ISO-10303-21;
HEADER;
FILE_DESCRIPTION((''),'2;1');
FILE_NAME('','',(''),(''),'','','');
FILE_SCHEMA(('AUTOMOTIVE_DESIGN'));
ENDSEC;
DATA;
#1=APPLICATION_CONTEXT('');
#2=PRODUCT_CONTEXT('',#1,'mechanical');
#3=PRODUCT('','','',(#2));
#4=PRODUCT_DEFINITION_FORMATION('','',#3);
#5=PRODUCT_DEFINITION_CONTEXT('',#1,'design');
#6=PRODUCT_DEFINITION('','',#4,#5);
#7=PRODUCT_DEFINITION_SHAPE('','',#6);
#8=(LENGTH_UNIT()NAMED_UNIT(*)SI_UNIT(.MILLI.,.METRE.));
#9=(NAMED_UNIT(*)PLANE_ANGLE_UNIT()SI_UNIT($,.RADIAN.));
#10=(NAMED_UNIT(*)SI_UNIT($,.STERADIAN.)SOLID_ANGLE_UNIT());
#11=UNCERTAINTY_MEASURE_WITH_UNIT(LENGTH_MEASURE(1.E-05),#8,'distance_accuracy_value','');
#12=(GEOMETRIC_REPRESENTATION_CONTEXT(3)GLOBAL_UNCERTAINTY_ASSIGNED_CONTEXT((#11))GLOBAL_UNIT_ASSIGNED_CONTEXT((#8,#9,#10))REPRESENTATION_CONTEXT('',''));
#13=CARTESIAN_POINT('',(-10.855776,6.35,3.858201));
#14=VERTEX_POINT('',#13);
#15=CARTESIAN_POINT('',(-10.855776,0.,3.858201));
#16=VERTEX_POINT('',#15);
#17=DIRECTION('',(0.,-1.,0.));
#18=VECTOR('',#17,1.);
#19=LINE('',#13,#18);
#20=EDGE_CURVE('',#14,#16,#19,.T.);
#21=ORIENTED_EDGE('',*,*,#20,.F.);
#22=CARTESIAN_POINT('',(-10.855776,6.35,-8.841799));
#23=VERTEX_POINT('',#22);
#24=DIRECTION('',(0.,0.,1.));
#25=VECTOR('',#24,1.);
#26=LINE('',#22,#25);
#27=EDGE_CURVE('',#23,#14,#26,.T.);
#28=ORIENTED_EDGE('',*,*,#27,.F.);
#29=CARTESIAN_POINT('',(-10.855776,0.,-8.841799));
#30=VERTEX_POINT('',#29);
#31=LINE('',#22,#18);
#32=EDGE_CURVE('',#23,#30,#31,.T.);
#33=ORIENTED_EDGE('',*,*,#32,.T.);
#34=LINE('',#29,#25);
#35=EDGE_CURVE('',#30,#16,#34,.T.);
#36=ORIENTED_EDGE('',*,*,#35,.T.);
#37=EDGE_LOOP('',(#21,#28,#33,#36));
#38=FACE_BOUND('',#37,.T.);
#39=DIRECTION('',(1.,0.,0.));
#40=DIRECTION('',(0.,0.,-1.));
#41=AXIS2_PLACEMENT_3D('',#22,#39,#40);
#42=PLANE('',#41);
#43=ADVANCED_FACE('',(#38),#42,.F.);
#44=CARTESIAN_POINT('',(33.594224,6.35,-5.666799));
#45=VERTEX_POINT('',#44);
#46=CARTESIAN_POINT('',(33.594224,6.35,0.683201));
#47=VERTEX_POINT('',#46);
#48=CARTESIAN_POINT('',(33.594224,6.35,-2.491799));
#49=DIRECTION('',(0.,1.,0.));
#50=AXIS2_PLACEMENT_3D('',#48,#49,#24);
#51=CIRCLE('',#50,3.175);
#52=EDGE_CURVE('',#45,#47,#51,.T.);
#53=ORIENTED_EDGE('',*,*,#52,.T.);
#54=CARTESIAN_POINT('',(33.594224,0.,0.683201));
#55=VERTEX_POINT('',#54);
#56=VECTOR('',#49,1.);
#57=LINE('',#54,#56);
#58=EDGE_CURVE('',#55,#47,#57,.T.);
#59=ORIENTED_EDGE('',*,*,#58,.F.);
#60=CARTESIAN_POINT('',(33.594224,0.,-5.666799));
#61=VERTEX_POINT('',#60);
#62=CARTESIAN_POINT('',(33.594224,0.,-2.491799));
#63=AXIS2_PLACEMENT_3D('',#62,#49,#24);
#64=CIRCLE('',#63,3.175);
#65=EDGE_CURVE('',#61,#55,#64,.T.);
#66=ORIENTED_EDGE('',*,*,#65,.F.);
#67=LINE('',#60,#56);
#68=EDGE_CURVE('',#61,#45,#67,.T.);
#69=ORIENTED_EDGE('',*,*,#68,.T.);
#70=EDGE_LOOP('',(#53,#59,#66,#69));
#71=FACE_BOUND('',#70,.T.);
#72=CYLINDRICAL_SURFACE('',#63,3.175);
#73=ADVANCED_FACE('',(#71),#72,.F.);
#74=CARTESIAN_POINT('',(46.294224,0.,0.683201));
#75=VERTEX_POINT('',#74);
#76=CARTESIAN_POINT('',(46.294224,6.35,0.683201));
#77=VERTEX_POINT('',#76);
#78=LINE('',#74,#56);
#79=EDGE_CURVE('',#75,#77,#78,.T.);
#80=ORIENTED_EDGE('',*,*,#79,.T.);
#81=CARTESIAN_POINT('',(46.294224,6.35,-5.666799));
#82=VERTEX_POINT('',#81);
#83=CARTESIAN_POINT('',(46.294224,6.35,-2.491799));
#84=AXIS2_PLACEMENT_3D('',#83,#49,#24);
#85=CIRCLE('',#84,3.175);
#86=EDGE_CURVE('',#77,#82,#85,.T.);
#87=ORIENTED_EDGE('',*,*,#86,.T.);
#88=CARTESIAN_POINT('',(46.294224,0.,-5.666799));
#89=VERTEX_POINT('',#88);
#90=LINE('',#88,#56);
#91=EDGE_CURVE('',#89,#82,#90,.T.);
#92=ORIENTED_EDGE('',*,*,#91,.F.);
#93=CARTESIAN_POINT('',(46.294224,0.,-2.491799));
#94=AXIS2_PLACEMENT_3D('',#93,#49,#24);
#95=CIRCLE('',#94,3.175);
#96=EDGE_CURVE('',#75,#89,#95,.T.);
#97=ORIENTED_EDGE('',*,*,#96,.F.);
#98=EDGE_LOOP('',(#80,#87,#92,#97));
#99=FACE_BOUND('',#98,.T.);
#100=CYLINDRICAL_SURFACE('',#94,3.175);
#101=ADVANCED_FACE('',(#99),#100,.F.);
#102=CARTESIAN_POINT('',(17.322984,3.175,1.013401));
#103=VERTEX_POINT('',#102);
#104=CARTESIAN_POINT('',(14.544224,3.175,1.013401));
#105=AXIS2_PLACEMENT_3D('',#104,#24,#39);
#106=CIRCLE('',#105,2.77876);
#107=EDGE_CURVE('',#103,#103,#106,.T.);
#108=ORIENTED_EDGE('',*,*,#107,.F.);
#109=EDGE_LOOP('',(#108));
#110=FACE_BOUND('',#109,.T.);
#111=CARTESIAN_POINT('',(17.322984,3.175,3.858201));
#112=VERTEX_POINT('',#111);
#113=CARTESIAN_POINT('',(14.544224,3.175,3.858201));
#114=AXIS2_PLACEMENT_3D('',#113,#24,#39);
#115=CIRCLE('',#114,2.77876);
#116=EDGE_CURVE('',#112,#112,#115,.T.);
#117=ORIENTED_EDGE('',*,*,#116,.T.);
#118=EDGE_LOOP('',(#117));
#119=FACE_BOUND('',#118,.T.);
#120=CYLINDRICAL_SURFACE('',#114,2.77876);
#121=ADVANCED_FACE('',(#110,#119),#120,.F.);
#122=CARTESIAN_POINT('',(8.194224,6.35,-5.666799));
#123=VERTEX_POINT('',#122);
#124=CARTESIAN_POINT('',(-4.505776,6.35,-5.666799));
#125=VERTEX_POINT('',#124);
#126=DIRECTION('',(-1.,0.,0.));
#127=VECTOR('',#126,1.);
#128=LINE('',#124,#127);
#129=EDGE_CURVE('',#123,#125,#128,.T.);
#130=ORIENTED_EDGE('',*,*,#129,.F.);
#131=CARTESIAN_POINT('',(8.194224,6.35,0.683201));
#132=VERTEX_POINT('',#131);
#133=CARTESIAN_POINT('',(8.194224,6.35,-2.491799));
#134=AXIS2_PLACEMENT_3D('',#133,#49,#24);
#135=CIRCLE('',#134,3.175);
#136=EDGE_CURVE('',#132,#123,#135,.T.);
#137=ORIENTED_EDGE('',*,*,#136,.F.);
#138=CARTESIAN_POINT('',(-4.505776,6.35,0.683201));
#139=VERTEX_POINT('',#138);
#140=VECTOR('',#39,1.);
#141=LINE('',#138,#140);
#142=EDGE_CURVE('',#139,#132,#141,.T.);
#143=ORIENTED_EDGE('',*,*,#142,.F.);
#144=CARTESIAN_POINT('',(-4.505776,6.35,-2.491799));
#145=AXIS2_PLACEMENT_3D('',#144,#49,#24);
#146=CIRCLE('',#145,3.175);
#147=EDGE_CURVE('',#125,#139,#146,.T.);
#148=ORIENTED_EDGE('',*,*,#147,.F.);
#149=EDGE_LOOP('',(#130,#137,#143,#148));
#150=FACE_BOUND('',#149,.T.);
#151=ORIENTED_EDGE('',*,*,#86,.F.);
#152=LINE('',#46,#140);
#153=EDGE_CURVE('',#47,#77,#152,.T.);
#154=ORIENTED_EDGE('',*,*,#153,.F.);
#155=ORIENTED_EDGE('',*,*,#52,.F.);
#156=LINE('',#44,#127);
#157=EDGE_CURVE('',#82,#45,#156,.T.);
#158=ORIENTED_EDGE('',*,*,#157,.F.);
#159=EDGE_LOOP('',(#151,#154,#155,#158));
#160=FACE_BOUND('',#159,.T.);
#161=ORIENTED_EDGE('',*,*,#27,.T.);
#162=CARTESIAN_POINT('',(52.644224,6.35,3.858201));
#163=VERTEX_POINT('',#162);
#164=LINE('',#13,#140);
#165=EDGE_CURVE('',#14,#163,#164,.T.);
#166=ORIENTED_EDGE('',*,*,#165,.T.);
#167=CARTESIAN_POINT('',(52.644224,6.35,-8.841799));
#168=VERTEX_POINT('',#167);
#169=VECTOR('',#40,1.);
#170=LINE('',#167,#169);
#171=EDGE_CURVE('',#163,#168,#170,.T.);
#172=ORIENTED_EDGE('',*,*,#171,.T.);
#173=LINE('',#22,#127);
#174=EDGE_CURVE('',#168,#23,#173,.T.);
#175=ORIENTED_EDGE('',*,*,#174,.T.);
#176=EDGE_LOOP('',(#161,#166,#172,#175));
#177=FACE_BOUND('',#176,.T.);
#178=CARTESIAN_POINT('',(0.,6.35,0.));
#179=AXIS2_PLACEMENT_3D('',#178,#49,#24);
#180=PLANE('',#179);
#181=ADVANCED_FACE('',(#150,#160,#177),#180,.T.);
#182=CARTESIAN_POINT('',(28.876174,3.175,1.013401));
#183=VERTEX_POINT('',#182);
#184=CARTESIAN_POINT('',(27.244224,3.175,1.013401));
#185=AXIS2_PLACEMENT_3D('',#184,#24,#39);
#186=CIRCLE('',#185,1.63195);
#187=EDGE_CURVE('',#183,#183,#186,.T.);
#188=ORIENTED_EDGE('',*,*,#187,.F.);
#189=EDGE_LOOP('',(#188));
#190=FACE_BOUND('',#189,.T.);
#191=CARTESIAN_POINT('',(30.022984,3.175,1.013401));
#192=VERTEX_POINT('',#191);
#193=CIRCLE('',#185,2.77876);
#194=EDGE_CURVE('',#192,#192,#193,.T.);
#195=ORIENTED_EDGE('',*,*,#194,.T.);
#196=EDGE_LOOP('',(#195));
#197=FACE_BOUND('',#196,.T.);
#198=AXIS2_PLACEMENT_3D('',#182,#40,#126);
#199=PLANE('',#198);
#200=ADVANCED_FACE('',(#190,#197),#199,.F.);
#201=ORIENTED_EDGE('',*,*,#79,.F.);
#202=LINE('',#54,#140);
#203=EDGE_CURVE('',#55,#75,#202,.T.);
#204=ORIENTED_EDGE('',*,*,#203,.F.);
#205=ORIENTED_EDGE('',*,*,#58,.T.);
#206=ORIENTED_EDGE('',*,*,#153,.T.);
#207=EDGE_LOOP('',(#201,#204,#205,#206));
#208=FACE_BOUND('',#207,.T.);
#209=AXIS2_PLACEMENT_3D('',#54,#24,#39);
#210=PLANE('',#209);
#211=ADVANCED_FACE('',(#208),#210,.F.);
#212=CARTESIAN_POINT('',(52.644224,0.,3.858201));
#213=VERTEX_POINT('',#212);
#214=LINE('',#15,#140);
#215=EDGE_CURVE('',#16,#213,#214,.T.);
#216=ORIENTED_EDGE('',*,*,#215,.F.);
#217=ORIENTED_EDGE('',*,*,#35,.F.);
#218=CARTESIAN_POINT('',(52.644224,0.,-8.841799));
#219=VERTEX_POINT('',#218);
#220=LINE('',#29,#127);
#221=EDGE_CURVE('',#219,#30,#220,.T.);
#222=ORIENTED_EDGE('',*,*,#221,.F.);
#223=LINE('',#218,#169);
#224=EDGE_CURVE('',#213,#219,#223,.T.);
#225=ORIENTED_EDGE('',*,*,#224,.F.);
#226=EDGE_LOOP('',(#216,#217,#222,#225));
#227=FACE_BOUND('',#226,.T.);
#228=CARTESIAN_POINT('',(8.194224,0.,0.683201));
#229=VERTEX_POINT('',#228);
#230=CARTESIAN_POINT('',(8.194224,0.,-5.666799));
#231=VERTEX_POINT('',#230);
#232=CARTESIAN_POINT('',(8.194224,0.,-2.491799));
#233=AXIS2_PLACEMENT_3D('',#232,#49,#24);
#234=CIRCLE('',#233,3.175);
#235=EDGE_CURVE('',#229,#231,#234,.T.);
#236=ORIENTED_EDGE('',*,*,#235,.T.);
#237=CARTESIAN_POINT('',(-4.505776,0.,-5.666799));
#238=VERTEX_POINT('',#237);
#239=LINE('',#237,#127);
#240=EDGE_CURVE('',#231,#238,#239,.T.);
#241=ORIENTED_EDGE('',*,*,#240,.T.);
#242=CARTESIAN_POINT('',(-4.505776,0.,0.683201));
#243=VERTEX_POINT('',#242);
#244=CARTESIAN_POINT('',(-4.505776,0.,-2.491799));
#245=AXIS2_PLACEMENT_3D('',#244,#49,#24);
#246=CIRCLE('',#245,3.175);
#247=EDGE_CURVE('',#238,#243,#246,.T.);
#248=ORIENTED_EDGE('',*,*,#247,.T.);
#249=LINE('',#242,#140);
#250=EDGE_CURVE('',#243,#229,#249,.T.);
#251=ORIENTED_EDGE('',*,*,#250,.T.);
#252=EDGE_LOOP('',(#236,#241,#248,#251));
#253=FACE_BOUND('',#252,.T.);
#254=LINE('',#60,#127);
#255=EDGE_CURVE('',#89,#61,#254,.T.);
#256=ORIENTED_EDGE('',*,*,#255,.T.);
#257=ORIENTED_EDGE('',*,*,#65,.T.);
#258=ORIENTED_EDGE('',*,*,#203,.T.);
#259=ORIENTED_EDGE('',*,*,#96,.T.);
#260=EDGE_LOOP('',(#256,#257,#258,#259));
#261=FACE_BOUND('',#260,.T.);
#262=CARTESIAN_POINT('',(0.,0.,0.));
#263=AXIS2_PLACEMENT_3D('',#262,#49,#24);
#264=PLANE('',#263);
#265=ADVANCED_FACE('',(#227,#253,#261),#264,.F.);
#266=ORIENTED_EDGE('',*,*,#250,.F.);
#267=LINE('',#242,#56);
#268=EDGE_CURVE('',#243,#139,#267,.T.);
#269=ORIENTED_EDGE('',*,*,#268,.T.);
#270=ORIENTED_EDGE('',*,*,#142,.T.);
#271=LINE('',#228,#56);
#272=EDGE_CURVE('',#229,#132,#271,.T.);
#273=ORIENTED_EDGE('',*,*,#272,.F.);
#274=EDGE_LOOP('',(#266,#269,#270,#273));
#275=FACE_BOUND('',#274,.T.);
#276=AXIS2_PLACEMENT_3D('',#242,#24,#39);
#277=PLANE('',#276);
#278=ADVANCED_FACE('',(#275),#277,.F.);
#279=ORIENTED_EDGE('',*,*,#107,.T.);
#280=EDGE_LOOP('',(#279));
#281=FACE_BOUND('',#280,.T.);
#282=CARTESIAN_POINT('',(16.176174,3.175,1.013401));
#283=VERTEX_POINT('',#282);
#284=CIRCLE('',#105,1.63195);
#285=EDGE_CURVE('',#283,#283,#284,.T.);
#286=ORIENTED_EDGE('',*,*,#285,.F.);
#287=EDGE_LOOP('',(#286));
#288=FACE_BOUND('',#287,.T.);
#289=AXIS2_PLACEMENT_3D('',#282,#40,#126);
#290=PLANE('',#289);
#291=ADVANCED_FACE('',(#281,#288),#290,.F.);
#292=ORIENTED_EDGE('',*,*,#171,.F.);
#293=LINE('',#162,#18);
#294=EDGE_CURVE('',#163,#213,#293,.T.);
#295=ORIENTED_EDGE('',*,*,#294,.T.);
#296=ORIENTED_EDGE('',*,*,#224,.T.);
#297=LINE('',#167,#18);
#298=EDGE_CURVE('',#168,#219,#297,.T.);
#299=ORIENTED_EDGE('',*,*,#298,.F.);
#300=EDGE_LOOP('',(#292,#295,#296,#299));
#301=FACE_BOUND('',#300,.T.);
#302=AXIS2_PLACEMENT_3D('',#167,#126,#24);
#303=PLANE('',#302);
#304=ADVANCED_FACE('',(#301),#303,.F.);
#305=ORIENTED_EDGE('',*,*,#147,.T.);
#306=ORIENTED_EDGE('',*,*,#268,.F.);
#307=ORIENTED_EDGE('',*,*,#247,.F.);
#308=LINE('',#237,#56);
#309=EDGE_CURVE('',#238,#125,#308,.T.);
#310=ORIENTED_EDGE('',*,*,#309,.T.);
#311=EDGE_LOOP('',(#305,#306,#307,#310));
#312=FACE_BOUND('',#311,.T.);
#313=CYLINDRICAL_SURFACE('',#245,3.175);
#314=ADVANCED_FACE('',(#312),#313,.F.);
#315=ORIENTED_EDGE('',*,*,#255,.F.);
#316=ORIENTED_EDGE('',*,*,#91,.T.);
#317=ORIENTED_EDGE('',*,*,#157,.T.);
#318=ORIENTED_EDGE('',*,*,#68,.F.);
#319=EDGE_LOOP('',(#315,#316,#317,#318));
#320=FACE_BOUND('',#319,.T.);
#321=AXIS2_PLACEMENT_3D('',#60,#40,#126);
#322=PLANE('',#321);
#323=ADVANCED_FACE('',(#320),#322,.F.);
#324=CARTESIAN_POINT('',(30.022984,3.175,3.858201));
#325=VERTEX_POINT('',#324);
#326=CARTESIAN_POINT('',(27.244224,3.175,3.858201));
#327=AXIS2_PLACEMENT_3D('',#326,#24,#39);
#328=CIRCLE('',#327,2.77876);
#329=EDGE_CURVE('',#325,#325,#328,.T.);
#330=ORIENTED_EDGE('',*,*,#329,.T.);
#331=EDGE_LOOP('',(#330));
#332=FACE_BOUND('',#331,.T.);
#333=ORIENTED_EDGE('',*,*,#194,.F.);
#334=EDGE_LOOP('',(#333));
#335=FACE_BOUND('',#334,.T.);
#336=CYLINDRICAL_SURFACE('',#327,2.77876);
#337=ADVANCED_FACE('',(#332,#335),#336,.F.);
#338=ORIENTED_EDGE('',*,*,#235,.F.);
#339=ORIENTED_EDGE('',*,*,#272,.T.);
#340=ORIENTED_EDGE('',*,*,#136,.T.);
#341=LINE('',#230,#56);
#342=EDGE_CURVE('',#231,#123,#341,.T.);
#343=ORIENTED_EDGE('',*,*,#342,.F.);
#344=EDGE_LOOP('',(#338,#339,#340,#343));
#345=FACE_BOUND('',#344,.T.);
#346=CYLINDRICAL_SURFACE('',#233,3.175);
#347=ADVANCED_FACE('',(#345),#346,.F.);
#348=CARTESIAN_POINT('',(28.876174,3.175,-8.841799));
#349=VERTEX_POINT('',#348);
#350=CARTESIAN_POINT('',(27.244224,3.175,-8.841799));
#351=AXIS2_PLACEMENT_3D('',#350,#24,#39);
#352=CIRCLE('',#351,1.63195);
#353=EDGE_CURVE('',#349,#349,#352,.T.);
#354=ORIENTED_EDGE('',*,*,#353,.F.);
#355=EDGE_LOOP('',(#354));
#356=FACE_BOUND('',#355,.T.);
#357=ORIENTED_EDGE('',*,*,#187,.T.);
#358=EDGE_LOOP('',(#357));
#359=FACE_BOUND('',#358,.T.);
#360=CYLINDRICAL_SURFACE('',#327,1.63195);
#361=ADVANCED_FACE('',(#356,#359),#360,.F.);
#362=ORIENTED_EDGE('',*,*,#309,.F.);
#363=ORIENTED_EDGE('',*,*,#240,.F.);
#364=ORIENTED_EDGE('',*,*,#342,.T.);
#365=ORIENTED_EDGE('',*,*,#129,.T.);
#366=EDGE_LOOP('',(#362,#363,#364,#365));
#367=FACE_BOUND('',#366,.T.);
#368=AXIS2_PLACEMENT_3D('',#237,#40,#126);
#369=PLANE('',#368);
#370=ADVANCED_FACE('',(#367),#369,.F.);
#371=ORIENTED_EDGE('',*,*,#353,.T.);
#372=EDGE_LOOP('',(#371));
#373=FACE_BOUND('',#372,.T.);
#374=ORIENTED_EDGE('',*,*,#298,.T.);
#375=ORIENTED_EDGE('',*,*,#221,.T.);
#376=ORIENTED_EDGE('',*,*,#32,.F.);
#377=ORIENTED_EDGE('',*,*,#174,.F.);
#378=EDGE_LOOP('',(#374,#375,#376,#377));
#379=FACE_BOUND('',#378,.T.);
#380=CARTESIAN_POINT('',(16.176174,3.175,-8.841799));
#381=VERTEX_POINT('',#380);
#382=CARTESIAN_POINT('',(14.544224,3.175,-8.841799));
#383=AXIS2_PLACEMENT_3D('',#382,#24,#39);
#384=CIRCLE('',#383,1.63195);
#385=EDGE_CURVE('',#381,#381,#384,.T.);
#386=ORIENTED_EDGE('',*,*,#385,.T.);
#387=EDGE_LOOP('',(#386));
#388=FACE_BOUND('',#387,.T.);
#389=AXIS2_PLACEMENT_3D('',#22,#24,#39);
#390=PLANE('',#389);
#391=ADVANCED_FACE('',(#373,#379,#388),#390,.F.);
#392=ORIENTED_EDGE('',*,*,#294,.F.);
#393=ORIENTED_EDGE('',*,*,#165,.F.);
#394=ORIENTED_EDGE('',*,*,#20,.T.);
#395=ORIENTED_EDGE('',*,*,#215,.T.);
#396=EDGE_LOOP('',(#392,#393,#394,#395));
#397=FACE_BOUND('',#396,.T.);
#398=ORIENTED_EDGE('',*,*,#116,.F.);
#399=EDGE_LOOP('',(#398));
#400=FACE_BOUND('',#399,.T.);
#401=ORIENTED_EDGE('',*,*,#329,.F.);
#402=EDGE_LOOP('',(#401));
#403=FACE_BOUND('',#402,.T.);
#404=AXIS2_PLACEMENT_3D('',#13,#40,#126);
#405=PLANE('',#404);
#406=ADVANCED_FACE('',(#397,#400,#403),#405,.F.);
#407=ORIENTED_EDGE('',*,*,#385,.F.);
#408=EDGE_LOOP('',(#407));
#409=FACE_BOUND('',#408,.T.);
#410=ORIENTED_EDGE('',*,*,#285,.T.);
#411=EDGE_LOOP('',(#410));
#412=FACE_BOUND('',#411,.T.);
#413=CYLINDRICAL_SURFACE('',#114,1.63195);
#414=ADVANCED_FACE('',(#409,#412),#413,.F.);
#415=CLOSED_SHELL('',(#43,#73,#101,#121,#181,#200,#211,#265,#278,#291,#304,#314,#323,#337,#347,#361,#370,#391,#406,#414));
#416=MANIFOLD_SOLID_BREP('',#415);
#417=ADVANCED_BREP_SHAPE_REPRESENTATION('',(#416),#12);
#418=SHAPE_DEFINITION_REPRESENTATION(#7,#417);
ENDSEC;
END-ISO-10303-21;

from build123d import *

# Parameters (mm, degrees)
SKETCH2_W                                      = 63.5
SKETCH2_H                                      = 12.7
BOSS_EXTRUDE1_DEPTH                            = 6.35
CBORE_FOR_4_SOCKET_HEAD_CAP_SCREW1_D           = 3.2639
CBORE_FOR_4_SOCKET_HEAD_CAP_SCREW1_CBORE_D     = 5.55752
CBORE_FOR_4_SOCKET_HEAD_CAP_SCREW1_CBORE_DEPTH = 2.8448
CUT_EXTRUDE1_DEPTH                             = 7.35


with BuildPart() as part:
    # Sketch2 → Boss-Extrude1 (new body)
    with BuildSketch(Plane(origin=(0, 0, 0), x_dir=(1, 0, 0), z_dir=(0, 1, 0))):
        with Locations((20.894224422, 2.49179868)):
            Rectangle(SKETCH2_W, SKETCH2_H)
    extrude(amount=BOSS_EXTRUDE1_DEPTH)

    # CBORE for #4 Socket Head Cap Screw1 (through all)
    with Locations(Plane.XY.offset(3.85820132)):
        with Locations((14.544224422, 3.175), (27.244224422, 3.175)):
            CounterBoreHole(CBORE_FOR_4_SOCKET_HEAD_CAP_SCREW1_D / 2, CBORE_FOR_4_SOCKET_HEAD_CAP_SCREW1_CBORE_D / 2, CBORE_FOR_4_SOCKET_HEAD_CAP_SCREW1_CBORE_DEPTH)

    # Sketch8 → Cut-Extrude1 (cut, through all)
    with BuildSketch(Plane(origin=(0, 6.35, 0), x_dir=(1, 0, 0), z_dir=(0, 1, 0))):
        with BuildLine():
            Line((-4.505775578, 5.66679868), (8.194224422, 5.66679868))
            ThreePointArc((8.194224422, 5.66679868), (11.369224422, 2.49179868), (8.194224422, -0.68320132))
            Line((8.194224422, -0.68320132), (-4.505775578, -0.68320132))
            ThreePointArc((-4.505775578, -0.68320132), (-7.680775578, 2.49179868), (-4.505775578, 5.66679868))
        make_face()
        with BuildLine():
            Line((33.594224422, 5.66679868), (46.294224422, 5.66679868))
            ThreePointArc((46.294224422, 5.66679868), (49.469224422, 2.49179868), (46.294224422, -0.68320132))
            Line((46.294224422, -0.68320132), (33.594224422, -0.68320132))
            ThreePointArc((33.594224422, -0.68320132), (30.419224422, 2.49179868), (33.594224422, 5.66679868))
        make_face()
    extrude(amount=-CUT_EXTRUDE1_DEPTH, mode=Mode.SUBTRACT)


solid = part.part
